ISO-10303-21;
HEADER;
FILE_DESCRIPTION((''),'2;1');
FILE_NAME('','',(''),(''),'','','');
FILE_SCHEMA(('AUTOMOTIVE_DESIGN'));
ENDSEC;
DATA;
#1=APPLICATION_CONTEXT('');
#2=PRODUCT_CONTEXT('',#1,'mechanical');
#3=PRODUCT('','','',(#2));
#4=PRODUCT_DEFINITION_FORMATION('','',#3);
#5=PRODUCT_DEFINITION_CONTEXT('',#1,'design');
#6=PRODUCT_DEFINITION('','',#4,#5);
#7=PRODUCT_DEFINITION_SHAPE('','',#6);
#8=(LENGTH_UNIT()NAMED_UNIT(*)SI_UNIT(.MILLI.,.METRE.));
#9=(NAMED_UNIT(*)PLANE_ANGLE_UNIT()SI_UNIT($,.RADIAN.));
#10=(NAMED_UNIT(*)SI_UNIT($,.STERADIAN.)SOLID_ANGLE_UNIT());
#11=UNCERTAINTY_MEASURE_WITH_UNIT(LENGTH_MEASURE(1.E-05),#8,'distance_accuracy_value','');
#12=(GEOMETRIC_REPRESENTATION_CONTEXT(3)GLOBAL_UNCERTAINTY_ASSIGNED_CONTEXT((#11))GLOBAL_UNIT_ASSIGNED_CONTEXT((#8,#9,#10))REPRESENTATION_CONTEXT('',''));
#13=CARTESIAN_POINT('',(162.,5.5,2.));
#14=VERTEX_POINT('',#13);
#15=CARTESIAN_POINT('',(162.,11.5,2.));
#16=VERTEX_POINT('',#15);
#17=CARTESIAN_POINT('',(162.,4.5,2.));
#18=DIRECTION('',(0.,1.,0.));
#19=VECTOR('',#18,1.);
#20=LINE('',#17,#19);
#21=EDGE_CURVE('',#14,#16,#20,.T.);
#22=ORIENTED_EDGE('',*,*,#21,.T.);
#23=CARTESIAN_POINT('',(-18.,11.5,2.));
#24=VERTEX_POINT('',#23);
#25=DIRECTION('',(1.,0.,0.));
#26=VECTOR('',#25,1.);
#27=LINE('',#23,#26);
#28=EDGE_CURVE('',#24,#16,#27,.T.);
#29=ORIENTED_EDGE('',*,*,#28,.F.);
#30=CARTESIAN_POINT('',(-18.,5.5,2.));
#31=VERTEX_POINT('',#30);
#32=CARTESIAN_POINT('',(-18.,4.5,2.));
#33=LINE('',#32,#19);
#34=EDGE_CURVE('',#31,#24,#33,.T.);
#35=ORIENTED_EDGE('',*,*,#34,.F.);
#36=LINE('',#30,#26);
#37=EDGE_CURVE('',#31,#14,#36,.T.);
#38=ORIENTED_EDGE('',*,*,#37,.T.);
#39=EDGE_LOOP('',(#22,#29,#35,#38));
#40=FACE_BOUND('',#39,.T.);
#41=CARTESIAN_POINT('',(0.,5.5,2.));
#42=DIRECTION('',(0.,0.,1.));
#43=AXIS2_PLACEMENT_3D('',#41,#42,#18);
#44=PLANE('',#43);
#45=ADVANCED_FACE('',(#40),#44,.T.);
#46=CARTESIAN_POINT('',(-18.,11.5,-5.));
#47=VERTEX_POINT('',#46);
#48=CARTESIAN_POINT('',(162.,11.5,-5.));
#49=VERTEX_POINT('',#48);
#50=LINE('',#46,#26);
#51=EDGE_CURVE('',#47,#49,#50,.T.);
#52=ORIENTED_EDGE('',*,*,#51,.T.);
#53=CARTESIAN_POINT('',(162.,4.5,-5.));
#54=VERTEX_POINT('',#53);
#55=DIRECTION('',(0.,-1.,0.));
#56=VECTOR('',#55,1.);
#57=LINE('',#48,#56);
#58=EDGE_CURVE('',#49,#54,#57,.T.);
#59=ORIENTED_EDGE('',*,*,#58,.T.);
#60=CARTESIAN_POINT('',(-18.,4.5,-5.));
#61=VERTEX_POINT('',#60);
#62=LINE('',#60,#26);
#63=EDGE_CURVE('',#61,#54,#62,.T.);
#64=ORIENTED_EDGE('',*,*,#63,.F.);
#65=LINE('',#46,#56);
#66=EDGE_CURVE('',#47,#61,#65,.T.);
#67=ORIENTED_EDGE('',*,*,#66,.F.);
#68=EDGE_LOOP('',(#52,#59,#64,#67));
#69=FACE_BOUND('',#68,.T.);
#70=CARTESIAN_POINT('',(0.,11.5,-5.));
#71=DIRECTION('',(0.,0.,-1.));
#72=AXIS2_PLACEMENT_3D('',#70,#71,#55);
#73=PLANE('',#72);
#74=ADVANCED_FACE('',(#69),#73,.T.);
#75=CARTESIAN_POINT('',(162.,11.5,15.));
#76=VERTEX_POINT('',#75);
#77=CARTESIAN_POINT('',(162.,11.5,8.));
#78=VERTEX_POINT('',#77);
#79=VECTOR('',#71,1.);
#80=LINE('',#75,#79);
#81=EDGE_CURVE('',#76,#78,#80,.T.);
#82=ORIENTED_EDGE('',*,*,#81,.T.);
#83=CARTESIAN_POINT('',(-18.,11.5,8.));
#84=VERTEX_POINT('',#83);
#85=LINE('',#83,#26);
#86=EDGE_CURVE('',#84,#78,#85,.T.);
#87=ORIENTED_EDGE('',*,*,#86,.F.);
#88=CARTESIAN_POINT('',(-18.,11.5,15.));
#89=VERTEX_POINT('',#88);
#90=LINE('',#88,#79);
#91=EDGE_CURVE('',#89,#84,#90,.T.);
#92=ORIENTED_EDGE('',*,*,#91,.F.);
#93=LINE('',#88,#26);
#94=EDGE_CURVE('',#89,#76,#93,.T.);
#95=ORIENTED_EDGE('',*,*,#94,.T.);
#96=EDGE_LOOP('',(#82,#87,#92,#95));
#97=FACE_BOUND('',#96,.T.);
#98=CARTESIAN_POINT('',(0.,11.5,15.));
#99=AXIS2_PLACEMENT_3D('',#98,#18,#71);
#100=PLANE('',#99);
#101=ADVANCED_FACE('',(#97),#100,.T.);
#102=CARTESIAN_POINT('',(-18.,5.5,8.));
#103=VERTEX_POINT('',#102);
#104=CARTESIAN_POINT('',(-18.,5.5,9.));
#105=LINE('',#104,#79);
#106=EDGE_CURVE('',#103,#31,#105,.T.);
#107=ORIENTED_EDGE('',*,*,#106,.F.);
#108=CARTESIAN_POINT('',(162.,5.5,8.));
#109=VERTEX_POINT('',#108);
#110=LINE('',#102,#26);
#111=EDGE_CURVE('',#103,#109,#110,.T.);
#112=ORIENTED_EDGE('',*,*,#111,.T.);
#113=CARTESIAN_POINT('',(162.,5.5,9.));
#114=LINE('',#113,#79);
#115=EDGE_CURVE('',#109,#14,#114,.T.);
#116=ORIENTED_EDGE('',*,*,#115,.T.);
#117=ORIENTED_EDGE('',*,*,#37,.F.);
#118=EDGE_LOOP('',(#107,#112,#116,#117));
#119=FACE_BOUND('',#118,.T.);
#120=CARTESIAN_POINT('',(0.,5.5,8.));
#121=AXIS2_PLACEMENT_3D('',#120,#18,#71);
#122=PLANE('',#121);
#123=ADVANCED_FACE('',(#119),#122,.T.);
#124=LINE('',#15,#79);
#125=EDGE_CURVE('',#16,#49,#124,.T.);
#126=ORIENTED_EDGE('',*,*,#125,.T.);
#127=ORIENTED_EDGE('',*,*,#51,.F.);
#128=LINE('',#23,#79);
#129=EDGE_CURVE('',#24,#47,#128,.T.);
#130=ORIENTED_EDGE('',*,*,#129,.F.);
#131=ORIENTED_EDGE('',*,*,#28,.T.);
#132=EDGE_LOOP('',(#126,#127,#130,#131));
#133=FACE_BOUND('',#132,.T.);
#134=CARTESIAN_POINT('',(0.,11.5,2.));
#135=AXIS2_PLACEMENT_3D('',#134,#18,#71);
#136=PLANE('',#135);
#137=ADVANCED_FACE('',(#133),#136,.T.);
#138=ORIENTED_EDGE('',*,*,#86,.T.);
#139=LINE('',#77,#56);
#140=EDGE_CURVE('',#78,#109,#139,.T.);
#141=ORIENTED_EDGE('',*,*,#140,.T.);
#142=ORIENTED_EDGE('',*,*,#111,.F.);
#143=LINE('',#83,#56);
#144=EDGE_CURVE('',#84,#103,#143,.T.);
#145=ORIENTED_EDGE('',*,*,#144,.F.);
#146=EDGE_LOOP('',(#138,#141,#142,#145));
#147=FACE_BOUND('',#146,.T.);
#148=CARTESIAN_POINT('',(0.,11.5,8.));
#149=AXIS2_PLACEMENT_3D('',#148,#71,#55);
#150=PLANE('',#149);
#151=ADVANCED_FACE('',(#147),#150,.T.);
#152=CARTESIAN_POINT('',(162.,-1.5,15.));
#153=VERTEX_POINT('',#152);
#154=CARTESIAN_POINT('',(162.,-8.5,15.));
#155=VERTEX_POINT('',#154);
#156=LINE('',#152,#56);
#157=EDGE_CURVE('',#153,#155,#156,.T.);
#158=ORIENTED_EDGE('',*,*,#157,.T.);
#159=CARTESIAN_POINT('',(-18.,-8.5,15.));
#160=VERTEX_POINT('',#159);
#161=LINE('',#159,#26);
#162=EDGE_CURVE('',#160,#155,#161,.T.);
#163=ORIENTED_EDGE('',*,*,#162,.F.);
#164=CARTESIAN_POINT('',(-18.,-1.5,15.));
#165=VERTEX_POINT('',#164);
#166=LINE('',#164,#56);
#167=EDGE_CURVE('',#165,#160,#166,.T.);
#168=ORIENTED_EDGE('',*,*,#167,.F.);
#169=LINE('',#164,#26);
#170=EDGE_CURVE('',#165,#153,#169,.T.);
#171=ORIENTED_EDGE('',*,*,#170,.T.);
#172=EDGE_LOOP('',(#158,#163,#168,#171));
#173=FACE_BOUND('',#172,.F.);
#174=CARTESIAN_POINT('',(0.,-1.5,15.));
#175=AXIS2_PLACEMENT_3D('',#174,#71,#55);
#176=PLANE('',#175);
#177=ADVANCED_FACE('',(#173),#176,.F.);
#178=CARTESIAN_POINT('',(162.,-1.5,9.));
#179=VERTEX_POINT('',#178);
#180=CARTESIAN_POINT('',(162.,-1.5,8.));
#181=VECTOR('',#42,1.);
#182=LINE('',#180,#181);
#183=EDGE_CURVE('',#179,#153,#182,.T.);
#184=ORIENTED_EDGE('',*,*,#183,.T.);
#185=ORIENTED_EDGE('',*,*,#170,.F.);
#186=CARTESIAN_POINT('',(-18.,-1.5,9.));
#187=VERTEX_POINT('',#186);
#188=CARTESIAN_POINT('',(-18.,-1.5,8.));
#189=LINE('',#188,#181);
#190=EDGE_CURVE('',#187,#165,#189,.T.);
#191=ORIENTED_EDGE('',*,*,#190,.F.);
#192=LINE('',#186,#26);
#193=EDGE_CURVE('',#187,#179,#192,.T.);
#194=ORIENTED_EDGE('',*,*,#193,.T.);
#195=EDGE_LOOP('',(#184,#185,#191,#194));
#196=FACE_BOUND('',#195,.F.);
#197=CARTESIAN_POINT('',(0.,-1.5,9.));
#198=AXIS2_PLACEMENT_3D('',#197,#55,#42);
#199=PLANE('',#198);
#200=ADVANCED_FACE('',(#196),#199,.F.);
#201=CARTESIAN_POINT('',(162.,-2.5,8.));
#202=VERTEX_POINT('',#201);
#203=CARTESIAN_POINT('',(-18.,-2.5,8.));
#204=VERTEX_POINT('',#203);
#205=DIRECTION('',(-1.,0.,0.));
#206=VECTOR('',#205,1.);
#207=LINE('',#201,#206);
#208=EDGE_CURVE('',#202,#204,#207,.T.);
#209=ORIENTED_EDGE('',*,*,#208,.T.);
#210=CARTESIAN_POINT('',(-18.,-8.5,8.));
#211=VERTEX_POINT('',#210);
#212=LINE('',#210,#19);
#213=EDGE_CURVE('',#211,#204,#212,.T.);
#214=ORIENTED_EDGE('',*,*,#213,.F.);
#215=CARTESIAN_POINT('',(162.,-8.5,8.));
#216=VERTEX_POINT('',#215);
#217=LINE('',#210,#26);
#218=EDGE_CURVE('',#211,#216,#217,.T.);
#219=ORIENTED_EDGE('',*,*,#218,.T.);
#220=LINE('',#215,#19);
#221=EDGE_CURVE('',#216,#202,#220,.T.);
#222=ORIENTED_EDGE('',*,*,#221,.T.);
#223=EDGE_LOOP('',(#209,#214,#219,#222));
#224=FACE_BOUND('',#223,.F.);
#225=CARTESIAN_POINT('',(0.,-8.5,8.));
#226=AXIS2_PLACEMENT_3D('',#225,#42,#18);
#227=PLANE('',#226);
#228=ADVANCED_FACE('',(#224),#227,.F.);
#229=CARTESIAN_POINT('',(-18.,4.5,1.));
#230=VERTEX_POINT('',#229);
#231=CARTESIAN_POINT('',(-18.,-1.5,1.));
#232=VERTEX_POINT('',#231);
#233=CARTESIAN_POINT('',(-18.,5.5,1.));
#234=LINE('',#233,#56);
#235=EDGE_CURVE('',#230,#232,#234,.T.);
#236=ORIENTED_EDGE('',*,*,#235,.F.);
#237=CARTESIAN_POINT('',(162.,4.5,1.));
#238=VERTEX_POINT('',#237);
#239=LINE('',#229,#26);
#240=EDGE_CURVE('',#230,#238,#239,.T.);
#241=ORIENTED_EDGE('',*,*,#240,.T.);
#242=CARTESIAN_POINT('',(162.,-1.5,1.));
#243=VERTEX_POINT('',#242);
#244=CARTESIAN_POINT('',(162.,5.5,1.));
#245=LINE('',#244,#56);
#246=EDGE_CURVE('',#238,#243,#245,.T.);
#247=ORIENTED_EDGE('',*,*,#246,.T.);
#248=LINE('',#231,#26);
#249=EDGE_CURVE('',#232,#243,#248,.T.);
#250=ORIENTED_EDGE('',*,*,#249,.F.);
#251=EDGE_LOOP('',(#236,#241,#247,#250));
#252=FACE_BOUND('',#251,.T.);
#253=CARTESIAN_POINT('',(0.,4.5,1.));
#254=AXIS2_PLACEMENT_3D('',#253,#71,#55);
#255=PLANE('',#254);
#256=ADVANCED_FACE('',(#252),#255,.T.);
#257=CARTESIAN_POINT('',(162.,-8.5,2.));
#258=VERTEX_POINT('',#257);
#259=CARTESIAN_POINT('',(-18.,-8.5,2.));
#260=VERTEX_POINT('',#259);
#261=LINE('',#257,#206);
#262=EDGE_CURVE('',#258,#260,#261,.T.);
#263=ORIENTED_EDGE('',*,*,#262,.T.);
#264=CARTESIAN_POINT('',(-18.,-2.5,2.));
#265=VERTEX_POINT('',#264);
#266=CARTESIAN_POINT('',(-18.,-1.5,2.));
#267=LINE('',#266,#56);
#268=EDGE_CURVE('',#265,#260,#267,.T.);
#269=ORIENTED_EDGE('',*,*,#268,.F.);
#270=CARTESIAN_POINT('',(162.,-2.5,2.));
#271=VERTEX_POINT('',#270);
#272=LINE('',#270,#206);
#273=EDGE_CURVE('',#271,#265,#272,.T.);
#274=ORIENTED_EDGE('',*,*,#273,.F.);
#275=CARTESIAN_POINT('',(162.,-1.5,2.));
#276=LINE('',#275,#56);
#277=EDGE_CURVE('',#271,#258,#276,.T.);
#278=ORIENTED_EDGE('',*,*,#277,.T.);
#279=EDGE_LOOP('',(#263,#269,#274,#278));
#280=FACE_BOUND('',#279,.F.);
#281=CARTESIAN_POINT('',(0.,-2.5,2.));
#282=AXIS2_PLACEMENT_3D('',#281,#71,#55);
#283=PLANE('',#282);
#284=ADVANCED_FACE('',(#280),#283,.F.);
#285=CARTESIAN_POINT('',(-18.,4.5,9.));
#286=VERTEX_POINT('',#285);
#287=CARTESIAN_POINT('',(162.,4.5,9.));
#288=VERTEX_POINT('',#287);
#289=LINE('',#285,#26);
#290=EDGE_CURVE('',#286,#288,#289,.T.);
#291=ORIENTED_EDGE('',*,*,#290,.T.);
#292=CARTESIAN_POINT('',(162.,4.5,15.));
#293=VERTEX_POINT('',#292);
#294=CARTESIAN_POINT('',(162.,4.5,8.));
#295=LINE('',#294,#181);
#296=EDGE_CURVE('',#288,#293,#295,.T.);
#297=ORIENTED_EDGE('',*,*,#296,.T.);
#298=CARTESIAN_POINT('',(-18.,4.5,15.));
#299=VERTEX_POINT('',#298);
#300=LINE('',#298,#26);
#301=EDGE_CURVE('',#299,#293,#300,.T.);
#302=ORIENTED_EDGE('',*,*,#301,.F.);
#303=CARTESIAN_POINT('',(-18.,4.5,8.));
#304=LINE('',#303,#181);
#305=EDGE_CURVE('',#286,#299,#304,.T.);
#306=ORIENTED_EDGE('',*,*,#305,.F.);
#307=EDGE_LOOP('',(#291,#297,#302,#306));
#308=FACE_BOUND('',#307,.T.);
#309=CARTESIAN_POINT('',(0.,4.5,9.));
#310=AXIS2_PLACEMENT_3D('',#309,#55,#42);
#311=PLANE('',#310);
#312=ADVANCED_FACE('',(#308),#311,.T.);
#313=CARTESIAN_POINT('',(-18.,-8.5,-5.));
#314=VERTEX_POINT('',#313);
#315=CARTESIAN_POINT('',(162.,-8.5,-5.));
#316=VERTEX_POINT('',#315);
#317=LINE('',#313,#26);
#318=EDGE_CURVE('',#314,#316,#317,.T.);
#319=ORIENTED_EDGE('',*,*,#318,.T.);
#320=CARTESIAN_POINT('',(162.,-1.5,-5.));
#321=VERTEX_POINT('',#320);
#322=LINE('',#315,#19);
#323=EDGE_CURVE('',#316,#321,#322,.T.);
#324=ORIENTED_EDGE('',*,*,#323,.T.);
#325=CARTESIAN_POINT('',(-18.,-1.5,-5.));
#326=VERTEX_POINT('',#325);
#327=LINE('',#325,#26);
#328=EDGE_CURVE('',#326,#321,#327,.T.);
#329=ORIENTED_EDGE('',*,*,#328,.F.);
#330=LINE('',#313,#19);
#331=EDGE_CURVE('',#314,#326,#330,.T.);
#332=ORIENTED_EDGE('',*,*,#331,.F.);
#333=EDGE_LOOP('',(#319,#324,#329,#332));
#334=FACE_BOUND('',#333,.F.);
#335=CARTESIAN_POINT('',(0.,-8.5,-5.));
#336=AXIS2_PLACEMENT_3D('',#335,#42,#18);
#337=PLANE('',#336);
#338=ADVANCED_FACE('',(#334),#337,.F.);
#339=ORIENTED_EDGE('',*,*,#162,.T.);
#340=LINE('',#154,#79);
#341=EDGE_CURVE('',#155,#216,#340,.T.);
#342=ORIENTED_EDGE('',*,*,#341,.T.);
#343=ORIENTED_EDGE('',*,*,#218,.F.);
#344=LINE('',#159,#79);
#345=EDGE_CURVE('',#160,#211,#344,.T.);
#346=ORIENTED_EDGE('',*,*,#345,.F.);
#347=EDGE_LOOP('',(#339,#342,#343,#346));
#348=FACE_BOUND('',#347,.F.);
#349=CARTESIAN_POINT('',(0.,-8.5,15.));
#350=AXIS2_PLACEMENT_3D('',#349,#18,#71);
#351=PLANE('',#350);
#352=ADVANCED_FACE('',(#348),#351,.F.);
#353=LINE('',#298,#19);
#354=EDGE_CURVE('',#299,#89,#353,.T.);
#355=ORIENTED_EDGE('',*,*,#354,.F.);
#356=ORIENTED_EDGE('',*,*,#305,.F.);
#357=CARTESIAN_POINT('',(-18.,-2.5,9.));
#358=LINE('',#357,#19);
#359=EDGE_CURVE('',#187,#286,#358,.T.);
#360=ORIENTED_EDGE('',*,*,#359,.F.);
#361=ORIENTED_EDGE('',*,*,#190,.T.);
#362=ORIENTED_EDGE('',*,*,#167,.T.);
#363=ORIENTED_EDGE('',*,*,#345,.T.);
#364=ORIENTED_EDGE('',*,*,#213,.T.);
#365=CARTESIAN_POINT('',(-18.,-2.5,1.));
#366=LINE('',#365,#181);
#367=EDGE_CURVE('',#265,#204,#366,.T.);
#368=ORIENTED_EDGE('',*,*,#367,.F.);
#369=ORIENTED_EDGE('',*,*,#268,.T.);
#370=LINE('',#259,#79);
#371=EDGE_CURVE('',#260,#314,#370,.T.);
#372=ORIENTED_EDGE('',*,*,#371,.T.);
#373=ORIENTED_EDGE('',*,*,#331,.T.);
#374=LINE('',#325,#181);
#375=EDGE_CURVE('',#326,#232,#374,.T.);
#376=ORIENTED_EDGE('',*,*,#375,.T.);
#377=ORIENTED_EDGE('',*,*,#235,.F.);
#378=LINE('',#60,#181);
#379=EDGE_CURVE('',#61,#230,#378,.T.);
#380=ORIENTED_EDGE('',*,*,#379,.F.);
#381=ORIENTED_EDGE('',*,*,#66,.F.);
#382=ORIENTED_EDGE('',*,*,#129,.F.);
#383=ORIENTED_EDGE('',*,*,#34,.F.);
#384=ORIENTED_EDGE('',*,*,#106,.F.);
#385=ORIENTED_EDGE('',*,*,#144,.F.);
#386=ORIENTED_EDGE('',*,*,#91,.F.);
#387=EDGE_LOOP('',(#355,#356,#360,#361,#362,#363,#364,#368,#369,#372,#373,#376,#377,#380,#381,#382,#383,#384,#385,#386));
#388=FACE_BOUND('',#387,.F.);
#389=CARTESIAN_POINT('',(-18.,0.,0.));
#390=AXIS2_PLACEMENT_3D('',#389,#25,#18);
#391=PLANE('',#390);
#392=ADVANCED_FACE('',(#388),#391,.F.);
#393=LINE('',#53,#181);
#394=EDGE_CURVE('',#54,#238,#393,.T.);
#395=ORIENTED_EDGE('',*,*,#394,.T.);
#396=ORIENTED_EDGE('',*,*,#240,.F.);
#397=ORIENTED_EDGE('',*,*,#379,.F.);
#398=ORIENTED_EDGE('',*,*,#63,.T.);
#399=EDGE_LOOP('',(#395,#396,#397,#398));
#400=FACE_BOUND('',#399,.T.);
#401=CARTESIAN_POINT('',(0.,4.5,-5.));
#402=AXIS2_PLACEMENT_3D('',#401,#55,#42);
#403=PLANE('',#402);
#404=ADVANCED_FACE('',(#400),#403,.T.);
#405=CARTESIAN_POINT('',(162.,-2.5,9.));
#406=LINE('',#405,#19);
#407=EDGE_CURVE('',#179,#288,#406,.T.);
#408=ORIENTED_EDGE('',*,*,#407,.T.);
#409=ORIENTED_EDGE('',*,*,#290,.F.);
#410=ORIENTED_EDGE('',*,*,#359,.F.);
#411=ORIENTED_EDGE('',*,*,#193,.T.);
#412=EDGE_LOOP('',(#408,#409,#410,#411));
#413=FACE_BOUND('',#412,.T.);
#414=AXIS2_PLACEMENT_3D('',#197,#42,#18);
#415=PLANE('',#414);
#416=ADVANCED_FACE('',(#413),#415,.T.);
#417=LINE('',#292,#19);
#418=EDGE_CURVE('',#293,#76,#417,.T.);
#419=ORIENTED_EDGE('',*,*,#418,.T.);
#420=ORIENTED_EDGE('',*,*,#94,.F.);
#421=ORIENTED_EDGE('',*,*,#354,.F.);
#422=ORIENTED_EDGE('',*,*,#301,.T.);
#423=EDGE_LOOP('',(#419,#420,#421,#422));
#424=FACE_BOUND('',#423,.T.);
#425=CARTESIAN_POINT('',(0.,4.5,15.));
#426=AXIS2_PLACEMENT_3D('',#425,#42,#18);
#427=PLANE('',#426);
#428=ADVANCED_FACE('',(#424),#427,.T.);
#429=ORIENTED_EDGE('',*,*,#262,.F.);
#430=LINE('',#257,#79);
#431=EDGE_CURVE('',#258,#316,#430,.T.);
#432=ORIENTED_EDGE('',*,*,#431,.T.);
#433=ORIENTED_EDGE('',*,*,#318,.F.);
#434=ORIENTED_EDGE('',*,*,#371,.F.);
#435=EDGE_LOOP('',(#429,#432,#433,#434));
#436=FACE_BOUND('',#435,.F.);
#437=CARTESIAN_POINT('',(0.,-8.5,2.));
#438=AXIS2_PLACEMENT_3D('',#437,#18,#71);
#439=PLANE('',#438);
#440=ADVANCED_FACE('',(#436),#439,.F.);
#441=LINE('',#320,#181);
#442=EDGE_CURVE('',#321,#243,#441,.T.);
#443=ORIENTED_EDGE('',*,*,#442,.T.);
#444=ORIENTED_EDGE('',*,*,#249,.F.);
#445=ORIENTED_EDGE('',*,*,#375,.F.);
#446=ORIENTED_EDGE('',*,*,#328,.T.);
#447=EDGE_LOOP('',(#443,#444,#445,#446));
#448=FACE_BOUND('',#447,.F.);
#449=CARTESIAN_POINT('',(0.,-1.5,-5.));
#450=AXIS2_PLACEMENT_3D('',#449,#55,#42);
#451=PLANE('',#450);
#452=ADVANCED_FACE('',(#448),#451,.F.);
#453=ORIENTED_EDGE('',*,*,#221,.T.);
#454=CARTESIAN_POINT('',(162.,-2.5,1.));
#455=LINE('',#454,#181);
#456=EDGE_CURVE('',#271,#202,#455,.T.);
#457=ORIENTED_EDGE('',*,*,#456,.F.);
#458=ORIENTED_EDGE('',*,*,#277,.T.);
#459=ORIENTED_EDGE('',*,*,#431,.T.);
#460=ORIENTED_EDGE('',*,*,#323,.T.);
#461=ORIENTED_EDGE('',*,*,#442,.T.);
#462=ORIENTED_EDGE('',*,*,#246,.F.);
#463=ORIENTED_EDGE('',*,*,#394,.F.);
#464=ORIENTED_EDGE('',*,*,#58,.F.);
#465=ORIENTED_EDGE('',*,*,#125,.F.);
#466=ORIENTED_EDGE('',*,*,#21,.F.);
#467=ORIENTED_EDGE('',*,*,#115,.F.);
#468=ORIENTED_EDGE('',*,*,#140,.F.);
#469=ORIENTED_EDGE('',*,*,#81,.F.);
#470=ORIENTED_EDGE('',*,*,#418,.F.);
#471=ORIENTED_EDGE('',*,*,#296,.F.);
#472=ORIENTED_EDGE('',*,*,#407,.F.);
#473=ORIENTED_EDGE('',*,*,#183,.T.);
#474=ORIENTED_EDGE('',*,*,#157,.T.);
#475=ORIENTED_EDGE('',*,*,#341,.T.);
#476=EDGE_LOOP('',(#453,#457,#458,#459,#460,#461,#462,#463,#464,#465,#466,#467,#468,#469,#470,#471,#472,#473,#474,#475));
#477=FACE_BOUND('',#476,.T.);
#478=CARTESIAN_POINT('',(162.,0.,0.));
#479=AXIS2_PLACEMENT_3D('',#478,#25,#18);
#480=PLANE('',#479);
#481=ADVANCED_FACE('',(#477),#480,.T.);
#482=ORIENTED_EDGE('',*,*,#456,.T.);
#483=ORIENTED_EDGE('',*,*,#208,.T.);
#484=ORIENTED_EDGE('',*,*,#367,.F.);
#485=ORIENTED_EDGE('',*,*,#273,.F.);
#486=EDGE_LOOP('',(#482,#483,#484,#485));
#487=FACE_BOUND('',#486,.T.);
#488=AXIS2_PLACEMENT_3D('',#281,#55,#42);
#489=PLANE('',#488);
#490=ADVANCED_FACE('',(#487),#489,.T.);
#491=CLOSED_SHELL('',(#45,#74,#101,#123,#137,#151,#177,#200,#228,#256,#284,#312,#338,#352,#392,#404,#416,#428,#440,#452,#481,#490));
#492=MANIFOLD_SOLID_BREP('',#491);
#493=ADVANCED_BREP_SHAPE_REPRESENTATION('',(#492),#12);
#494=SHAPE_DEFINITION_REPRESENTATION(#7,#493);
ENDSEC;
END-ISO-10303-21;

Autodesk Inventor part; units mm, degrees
ref_plane "YZ Plane" through (0, 0, 0) normal (1, 0, 0) x (0, 1, 0)
ref_plane "XZ Plane" through (0, 0, 0) normal (0, 1, 0) x (-1, 0, 0)
ref_plane "XY Plane" through (0, 0, 0) normal (0, 0, 1) x (1, 0, 0)
sketch "Sketch1" plane through (0, 0, 0) normal (1, 0, 0) x (0, 1, 0)
  line L0 (-8.5, -445) -> (-8.5, -5) projected
  line L1 (11.5, -5) -> (11.5, -445) projected
  line L2 (-8.5, -5) -> (-1.5, -5)
  line L3 (-1.5, -5) -> (-1.5, 2)
  line L4 (-1.5, 2) -> (-8.5, 2)
  line L5 (-8.5, 2) -> (-8.5, -5)
  line L6 (11.5, -5) -> (4.5, -5)
  line L7 (4.5, -5) -> (4.5, 2)
  line L8 (4.5, 2) -> (11.5, 2)
  line L9 (11.5, 2) -> (11.5, -5)
  line L10 (11.5, 8) -> (4.5, 8)
  line L11 (4.5, 8) -> (4.5, 15)
  line L12 (4.5, 15) -> (11.5, 15)
  line L13 (11.5, 15) -> (11.5, 8)
  line L14 (-8.5, 8) -> (-1.5, 8)
  line L15 (-1.5, 8) -> (-1.5, 15)
  line L16 (-1.5, 15) -> (-8.5, 15)
  line L17 (-8.5, 15) -> (-8.5, 8)
  line L18 (5.5, 1) -> (-2.5, 1)
  line L19 (-2.5, 1) -> (-2.5, 9)
  line L20 (-2.5, 9) -> (5.5, 9)
  line L21 (5.5, 9) -> (5.5, 1)
  point P0 (0, 0)
  point P1 (5.5, 2)
  point P2 (5.5, 8)
  point P3 (4.5, 9)
  point P4 (-1.5, 9)
  point P5 (-2.5, 8)
  point P6 (-2.5, 2)
  point P7 (-1.5, 1)
  point P8 (4.5, 1)
  dimension "d0" = 7
  dimension "d1" = 7
  dimension "d2" = 7
  dimension "d3" = 7
  dimension "d4" = 7
  dimension "d5" = 7
  dimension "d6" = 7
  dimension "d7" = 7
  dimension "d8" = 6
  dimension "d9" = 8
  dimension "d10" = 8
  dimension "d11" = 1
  dimension "d12" = 1
extrude "Extrusion1" add sketch "Sketch1" along normal blind 162 and the other way blind 18
properties part number "ybar"
